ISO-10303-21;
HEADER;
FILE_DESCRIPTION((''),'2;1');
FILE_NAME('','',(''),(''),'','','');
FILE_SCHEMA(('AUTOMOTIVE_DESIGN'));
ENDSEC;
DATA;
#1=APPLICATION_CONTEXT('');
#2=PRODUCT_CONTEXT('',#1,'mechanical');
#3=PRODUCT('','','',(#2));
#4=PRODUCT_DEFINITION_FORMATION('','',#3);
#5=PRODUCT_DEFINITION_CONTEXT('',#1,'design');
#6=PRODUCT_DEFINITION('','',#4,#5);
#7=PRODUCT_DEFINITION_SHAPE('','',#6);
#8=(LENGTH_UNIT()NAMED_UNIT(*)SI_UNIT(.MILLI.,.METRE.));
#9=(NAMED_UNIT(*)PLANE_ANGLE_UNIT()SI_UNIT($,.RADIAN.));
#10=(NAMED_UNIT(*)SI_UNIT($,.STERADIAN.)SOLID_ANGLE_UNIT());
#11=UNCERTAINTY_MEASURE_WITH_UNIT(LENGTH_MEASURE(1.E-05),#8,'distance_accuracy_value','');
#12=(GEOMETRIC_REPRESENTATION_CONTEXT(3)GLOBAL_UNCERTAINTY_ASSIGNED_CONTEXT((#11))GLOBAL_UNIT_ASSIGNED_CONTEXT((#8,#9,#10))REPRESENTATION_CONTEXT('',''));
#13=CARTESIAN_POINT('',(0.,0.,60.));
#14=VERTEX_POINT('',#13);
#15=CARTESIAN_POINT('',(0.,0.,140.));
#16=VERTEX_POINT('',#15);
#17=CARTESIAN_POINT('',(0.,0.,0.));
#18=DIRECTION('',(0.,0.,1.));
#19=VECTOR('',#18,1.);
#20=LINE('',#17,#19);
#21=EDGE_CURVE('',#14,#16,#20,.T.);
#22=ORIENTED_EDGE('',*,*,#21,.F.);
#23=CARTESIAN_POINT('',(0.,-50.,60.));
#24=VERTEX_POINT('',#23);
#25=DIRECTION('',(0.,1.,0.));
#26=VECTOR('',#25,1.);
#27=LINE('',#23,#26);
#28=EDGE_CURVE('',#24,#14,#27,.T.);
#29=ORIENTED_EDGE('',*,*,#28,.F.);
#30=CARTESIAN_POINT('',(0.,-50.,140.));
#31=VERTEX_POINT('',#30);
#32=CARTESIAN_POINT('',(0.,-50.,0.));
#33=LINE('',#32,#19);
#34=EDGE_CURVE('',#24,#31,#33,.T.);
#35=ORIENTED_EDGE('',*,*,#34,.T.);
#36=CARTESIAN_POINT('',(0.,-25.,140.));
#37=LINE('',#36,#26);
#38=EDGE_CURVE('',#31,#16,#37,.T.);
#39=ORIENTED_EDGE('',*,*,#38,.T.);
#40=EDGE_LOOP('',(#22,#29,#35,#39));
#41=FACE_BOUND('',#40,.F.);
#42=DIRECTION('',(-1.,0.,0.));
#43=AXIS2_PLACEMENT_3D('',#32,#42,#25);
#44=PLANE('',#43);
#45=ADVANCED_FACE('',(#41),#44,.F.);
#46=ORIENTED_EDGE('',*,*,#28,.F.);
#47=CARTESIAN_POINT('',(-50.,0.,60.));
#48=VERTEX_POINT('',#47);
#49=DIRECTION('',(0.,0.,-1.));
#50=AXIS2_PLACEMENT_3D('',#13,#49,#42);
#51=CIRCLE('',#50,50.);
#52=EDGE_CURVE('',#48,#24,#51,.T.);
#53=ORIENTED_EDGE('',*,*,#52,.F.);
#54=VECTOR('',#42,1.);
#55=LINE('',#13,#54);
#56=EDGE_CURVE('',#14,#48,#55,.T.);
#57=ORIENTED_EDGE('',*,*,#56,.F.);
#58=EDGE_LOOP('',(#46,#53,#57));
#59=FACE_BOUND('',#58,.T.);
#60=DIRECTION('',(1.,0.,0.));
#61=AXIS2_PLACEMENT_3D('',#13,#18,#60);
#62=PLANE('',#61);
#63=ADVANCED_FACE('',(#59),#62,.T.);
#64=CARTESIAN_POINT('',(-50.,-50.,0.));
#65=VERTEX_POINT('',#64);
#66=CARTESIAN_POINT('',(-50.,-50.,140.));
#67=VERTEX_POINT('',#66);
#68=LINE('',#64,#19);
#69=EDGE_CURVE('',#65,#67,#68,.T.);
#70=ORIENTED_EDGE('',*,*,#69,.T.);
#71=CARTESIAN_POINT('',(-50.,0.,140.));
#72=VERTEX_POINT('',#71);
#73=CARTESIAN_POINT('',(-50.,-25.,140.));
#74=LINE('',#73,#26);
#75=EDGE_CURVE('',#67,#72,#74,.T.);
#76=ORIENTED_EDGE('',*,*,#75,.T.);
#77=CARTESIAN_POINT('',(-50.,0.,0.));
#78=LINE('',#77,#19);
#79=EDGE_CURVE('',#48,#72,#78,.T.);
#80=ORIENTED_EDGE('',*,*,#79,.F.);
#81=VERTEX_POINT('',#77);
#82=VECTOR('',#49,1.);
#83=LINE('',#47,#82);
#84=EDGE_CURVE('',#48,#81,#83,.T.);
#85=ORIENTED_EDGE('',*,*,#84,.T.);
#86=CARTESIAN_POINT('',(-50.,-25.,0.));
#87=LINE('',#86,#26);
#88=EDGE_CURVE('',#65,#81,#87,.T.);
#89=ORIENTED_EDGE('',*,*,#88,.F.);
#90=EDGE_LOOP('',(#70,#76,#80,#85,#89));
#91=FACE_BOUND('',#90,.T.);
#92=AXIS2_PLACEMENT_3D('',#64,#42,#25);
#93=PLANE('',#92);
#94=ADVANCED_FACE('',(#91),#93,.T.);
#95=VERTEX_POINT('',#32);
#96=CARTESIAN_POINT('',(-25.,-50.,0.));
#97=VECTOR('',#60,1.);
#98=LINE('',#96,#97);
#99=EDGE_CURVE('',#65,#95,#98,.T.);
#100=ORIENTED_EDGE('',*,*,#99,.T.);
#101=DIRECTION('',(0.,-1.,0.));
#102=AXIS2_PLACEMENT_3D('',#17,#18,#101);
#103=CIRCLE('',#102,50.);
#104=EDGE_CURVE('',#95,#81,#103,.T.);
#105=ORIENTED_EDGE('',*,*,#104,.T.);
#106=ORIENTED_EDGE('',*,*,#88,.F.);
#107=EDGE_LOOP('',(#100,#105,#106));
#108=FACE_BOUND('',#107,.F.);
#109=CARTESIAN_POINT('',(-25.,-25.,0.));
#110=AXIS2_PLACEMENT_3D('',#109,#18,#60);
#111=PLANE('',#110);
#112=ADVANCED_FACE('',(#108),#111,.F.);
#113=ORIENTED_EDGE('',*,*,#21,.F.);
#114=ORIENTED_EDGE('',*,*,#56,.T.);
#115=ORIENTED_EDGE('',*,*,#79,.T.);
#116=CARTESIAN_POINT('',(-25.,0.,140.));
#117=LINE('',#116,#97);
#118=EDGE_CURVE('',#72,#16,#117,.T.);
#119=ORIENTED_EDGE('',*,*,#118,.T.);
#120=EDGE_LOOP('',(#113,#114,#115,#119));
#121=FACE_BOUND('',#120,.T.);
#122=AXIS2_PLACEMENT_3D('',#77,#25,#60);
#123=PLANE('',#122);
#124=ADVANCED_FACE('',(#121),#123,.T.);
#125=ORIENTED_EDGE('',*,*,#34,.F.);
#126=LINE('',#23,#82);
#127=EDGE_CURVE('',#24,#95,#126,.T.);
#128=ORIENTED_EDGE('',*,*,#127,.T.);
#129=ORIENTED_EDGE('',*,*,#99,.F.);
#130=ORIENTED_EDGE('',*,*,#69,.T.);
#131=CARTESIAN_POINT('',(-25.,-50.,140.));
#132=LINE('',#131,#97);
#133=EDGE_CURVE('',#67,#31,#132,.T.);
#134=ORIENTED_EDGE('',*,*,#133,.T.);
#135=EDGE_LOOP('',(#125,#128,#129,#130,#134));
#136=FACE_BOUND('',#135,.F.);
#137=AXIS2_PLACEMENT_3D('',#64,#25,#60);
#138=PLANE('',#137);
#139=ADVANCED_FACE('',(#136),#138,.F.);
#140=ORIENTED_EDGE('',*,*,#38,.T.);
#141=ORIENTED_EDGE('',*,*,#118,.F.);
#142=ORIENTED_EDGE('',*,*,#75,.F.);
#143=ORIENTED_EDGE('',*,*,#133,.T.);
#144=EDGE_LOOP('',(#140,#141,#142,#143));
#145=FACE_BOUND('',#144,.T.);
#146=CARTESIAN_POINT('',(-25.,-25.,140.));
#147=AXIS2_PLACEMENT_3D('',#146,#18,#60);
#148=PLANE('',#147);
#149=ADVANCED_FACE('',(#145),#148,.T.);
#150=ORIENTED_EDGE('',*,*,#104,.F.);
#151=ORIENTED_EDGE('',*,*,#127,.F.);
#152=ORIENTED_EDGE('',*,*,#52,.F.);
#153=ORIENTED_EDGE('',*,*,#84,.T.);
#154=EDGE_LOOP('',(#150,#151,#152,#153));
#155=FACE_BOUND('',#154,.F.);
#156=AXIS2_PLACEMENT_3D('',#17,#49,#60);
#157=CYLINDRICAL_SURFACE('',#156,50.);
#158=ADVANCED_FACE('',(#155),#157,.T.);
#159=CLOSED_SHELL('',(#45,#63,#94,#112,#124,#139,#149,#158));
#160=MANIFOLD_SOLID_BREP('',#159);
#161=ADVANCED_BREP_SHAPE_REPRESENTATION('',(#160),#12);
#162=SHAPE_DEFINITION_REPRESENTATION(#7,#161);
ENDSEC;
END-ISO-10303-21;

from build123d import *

# Parameters (mm, degrees)
F0_R     = 50
F1_DEPTH = 60
F3_DEPTH = 80
F4_W     = 50
F4_H     = 50
F5_DEPTH = 140


with BuildPart() as f1:
    # F0 (on Top) → F1 (new body)
    with BuildSketch(Plane.XY):
        Circle(F0_R)
    extrude(amount=F1_DEPTH)

    # F2 (on face) → F3 (cut)
    with BuildSketch(Plane.XY.offset(60)):
        with BuildLine():
            Line((0, -50), (0, 0))
            Line((0, 0), (-50, 0))
            ThreePointArc((-50, 0), (-35.355339, -35.355339), (0, -50))
        make_face()
    extrude(amount=-F3_DEPTH, mode=Mode.SUBTRACT)

    # F4 (on Top) → F5 (join)
    with BuildSketch(Plane.XY):
        with Locations((-25, -25)):
            Rectangle(F4_W, F4_H)
    extrude(amount=F5_DEPTH)


solid = f1.part
